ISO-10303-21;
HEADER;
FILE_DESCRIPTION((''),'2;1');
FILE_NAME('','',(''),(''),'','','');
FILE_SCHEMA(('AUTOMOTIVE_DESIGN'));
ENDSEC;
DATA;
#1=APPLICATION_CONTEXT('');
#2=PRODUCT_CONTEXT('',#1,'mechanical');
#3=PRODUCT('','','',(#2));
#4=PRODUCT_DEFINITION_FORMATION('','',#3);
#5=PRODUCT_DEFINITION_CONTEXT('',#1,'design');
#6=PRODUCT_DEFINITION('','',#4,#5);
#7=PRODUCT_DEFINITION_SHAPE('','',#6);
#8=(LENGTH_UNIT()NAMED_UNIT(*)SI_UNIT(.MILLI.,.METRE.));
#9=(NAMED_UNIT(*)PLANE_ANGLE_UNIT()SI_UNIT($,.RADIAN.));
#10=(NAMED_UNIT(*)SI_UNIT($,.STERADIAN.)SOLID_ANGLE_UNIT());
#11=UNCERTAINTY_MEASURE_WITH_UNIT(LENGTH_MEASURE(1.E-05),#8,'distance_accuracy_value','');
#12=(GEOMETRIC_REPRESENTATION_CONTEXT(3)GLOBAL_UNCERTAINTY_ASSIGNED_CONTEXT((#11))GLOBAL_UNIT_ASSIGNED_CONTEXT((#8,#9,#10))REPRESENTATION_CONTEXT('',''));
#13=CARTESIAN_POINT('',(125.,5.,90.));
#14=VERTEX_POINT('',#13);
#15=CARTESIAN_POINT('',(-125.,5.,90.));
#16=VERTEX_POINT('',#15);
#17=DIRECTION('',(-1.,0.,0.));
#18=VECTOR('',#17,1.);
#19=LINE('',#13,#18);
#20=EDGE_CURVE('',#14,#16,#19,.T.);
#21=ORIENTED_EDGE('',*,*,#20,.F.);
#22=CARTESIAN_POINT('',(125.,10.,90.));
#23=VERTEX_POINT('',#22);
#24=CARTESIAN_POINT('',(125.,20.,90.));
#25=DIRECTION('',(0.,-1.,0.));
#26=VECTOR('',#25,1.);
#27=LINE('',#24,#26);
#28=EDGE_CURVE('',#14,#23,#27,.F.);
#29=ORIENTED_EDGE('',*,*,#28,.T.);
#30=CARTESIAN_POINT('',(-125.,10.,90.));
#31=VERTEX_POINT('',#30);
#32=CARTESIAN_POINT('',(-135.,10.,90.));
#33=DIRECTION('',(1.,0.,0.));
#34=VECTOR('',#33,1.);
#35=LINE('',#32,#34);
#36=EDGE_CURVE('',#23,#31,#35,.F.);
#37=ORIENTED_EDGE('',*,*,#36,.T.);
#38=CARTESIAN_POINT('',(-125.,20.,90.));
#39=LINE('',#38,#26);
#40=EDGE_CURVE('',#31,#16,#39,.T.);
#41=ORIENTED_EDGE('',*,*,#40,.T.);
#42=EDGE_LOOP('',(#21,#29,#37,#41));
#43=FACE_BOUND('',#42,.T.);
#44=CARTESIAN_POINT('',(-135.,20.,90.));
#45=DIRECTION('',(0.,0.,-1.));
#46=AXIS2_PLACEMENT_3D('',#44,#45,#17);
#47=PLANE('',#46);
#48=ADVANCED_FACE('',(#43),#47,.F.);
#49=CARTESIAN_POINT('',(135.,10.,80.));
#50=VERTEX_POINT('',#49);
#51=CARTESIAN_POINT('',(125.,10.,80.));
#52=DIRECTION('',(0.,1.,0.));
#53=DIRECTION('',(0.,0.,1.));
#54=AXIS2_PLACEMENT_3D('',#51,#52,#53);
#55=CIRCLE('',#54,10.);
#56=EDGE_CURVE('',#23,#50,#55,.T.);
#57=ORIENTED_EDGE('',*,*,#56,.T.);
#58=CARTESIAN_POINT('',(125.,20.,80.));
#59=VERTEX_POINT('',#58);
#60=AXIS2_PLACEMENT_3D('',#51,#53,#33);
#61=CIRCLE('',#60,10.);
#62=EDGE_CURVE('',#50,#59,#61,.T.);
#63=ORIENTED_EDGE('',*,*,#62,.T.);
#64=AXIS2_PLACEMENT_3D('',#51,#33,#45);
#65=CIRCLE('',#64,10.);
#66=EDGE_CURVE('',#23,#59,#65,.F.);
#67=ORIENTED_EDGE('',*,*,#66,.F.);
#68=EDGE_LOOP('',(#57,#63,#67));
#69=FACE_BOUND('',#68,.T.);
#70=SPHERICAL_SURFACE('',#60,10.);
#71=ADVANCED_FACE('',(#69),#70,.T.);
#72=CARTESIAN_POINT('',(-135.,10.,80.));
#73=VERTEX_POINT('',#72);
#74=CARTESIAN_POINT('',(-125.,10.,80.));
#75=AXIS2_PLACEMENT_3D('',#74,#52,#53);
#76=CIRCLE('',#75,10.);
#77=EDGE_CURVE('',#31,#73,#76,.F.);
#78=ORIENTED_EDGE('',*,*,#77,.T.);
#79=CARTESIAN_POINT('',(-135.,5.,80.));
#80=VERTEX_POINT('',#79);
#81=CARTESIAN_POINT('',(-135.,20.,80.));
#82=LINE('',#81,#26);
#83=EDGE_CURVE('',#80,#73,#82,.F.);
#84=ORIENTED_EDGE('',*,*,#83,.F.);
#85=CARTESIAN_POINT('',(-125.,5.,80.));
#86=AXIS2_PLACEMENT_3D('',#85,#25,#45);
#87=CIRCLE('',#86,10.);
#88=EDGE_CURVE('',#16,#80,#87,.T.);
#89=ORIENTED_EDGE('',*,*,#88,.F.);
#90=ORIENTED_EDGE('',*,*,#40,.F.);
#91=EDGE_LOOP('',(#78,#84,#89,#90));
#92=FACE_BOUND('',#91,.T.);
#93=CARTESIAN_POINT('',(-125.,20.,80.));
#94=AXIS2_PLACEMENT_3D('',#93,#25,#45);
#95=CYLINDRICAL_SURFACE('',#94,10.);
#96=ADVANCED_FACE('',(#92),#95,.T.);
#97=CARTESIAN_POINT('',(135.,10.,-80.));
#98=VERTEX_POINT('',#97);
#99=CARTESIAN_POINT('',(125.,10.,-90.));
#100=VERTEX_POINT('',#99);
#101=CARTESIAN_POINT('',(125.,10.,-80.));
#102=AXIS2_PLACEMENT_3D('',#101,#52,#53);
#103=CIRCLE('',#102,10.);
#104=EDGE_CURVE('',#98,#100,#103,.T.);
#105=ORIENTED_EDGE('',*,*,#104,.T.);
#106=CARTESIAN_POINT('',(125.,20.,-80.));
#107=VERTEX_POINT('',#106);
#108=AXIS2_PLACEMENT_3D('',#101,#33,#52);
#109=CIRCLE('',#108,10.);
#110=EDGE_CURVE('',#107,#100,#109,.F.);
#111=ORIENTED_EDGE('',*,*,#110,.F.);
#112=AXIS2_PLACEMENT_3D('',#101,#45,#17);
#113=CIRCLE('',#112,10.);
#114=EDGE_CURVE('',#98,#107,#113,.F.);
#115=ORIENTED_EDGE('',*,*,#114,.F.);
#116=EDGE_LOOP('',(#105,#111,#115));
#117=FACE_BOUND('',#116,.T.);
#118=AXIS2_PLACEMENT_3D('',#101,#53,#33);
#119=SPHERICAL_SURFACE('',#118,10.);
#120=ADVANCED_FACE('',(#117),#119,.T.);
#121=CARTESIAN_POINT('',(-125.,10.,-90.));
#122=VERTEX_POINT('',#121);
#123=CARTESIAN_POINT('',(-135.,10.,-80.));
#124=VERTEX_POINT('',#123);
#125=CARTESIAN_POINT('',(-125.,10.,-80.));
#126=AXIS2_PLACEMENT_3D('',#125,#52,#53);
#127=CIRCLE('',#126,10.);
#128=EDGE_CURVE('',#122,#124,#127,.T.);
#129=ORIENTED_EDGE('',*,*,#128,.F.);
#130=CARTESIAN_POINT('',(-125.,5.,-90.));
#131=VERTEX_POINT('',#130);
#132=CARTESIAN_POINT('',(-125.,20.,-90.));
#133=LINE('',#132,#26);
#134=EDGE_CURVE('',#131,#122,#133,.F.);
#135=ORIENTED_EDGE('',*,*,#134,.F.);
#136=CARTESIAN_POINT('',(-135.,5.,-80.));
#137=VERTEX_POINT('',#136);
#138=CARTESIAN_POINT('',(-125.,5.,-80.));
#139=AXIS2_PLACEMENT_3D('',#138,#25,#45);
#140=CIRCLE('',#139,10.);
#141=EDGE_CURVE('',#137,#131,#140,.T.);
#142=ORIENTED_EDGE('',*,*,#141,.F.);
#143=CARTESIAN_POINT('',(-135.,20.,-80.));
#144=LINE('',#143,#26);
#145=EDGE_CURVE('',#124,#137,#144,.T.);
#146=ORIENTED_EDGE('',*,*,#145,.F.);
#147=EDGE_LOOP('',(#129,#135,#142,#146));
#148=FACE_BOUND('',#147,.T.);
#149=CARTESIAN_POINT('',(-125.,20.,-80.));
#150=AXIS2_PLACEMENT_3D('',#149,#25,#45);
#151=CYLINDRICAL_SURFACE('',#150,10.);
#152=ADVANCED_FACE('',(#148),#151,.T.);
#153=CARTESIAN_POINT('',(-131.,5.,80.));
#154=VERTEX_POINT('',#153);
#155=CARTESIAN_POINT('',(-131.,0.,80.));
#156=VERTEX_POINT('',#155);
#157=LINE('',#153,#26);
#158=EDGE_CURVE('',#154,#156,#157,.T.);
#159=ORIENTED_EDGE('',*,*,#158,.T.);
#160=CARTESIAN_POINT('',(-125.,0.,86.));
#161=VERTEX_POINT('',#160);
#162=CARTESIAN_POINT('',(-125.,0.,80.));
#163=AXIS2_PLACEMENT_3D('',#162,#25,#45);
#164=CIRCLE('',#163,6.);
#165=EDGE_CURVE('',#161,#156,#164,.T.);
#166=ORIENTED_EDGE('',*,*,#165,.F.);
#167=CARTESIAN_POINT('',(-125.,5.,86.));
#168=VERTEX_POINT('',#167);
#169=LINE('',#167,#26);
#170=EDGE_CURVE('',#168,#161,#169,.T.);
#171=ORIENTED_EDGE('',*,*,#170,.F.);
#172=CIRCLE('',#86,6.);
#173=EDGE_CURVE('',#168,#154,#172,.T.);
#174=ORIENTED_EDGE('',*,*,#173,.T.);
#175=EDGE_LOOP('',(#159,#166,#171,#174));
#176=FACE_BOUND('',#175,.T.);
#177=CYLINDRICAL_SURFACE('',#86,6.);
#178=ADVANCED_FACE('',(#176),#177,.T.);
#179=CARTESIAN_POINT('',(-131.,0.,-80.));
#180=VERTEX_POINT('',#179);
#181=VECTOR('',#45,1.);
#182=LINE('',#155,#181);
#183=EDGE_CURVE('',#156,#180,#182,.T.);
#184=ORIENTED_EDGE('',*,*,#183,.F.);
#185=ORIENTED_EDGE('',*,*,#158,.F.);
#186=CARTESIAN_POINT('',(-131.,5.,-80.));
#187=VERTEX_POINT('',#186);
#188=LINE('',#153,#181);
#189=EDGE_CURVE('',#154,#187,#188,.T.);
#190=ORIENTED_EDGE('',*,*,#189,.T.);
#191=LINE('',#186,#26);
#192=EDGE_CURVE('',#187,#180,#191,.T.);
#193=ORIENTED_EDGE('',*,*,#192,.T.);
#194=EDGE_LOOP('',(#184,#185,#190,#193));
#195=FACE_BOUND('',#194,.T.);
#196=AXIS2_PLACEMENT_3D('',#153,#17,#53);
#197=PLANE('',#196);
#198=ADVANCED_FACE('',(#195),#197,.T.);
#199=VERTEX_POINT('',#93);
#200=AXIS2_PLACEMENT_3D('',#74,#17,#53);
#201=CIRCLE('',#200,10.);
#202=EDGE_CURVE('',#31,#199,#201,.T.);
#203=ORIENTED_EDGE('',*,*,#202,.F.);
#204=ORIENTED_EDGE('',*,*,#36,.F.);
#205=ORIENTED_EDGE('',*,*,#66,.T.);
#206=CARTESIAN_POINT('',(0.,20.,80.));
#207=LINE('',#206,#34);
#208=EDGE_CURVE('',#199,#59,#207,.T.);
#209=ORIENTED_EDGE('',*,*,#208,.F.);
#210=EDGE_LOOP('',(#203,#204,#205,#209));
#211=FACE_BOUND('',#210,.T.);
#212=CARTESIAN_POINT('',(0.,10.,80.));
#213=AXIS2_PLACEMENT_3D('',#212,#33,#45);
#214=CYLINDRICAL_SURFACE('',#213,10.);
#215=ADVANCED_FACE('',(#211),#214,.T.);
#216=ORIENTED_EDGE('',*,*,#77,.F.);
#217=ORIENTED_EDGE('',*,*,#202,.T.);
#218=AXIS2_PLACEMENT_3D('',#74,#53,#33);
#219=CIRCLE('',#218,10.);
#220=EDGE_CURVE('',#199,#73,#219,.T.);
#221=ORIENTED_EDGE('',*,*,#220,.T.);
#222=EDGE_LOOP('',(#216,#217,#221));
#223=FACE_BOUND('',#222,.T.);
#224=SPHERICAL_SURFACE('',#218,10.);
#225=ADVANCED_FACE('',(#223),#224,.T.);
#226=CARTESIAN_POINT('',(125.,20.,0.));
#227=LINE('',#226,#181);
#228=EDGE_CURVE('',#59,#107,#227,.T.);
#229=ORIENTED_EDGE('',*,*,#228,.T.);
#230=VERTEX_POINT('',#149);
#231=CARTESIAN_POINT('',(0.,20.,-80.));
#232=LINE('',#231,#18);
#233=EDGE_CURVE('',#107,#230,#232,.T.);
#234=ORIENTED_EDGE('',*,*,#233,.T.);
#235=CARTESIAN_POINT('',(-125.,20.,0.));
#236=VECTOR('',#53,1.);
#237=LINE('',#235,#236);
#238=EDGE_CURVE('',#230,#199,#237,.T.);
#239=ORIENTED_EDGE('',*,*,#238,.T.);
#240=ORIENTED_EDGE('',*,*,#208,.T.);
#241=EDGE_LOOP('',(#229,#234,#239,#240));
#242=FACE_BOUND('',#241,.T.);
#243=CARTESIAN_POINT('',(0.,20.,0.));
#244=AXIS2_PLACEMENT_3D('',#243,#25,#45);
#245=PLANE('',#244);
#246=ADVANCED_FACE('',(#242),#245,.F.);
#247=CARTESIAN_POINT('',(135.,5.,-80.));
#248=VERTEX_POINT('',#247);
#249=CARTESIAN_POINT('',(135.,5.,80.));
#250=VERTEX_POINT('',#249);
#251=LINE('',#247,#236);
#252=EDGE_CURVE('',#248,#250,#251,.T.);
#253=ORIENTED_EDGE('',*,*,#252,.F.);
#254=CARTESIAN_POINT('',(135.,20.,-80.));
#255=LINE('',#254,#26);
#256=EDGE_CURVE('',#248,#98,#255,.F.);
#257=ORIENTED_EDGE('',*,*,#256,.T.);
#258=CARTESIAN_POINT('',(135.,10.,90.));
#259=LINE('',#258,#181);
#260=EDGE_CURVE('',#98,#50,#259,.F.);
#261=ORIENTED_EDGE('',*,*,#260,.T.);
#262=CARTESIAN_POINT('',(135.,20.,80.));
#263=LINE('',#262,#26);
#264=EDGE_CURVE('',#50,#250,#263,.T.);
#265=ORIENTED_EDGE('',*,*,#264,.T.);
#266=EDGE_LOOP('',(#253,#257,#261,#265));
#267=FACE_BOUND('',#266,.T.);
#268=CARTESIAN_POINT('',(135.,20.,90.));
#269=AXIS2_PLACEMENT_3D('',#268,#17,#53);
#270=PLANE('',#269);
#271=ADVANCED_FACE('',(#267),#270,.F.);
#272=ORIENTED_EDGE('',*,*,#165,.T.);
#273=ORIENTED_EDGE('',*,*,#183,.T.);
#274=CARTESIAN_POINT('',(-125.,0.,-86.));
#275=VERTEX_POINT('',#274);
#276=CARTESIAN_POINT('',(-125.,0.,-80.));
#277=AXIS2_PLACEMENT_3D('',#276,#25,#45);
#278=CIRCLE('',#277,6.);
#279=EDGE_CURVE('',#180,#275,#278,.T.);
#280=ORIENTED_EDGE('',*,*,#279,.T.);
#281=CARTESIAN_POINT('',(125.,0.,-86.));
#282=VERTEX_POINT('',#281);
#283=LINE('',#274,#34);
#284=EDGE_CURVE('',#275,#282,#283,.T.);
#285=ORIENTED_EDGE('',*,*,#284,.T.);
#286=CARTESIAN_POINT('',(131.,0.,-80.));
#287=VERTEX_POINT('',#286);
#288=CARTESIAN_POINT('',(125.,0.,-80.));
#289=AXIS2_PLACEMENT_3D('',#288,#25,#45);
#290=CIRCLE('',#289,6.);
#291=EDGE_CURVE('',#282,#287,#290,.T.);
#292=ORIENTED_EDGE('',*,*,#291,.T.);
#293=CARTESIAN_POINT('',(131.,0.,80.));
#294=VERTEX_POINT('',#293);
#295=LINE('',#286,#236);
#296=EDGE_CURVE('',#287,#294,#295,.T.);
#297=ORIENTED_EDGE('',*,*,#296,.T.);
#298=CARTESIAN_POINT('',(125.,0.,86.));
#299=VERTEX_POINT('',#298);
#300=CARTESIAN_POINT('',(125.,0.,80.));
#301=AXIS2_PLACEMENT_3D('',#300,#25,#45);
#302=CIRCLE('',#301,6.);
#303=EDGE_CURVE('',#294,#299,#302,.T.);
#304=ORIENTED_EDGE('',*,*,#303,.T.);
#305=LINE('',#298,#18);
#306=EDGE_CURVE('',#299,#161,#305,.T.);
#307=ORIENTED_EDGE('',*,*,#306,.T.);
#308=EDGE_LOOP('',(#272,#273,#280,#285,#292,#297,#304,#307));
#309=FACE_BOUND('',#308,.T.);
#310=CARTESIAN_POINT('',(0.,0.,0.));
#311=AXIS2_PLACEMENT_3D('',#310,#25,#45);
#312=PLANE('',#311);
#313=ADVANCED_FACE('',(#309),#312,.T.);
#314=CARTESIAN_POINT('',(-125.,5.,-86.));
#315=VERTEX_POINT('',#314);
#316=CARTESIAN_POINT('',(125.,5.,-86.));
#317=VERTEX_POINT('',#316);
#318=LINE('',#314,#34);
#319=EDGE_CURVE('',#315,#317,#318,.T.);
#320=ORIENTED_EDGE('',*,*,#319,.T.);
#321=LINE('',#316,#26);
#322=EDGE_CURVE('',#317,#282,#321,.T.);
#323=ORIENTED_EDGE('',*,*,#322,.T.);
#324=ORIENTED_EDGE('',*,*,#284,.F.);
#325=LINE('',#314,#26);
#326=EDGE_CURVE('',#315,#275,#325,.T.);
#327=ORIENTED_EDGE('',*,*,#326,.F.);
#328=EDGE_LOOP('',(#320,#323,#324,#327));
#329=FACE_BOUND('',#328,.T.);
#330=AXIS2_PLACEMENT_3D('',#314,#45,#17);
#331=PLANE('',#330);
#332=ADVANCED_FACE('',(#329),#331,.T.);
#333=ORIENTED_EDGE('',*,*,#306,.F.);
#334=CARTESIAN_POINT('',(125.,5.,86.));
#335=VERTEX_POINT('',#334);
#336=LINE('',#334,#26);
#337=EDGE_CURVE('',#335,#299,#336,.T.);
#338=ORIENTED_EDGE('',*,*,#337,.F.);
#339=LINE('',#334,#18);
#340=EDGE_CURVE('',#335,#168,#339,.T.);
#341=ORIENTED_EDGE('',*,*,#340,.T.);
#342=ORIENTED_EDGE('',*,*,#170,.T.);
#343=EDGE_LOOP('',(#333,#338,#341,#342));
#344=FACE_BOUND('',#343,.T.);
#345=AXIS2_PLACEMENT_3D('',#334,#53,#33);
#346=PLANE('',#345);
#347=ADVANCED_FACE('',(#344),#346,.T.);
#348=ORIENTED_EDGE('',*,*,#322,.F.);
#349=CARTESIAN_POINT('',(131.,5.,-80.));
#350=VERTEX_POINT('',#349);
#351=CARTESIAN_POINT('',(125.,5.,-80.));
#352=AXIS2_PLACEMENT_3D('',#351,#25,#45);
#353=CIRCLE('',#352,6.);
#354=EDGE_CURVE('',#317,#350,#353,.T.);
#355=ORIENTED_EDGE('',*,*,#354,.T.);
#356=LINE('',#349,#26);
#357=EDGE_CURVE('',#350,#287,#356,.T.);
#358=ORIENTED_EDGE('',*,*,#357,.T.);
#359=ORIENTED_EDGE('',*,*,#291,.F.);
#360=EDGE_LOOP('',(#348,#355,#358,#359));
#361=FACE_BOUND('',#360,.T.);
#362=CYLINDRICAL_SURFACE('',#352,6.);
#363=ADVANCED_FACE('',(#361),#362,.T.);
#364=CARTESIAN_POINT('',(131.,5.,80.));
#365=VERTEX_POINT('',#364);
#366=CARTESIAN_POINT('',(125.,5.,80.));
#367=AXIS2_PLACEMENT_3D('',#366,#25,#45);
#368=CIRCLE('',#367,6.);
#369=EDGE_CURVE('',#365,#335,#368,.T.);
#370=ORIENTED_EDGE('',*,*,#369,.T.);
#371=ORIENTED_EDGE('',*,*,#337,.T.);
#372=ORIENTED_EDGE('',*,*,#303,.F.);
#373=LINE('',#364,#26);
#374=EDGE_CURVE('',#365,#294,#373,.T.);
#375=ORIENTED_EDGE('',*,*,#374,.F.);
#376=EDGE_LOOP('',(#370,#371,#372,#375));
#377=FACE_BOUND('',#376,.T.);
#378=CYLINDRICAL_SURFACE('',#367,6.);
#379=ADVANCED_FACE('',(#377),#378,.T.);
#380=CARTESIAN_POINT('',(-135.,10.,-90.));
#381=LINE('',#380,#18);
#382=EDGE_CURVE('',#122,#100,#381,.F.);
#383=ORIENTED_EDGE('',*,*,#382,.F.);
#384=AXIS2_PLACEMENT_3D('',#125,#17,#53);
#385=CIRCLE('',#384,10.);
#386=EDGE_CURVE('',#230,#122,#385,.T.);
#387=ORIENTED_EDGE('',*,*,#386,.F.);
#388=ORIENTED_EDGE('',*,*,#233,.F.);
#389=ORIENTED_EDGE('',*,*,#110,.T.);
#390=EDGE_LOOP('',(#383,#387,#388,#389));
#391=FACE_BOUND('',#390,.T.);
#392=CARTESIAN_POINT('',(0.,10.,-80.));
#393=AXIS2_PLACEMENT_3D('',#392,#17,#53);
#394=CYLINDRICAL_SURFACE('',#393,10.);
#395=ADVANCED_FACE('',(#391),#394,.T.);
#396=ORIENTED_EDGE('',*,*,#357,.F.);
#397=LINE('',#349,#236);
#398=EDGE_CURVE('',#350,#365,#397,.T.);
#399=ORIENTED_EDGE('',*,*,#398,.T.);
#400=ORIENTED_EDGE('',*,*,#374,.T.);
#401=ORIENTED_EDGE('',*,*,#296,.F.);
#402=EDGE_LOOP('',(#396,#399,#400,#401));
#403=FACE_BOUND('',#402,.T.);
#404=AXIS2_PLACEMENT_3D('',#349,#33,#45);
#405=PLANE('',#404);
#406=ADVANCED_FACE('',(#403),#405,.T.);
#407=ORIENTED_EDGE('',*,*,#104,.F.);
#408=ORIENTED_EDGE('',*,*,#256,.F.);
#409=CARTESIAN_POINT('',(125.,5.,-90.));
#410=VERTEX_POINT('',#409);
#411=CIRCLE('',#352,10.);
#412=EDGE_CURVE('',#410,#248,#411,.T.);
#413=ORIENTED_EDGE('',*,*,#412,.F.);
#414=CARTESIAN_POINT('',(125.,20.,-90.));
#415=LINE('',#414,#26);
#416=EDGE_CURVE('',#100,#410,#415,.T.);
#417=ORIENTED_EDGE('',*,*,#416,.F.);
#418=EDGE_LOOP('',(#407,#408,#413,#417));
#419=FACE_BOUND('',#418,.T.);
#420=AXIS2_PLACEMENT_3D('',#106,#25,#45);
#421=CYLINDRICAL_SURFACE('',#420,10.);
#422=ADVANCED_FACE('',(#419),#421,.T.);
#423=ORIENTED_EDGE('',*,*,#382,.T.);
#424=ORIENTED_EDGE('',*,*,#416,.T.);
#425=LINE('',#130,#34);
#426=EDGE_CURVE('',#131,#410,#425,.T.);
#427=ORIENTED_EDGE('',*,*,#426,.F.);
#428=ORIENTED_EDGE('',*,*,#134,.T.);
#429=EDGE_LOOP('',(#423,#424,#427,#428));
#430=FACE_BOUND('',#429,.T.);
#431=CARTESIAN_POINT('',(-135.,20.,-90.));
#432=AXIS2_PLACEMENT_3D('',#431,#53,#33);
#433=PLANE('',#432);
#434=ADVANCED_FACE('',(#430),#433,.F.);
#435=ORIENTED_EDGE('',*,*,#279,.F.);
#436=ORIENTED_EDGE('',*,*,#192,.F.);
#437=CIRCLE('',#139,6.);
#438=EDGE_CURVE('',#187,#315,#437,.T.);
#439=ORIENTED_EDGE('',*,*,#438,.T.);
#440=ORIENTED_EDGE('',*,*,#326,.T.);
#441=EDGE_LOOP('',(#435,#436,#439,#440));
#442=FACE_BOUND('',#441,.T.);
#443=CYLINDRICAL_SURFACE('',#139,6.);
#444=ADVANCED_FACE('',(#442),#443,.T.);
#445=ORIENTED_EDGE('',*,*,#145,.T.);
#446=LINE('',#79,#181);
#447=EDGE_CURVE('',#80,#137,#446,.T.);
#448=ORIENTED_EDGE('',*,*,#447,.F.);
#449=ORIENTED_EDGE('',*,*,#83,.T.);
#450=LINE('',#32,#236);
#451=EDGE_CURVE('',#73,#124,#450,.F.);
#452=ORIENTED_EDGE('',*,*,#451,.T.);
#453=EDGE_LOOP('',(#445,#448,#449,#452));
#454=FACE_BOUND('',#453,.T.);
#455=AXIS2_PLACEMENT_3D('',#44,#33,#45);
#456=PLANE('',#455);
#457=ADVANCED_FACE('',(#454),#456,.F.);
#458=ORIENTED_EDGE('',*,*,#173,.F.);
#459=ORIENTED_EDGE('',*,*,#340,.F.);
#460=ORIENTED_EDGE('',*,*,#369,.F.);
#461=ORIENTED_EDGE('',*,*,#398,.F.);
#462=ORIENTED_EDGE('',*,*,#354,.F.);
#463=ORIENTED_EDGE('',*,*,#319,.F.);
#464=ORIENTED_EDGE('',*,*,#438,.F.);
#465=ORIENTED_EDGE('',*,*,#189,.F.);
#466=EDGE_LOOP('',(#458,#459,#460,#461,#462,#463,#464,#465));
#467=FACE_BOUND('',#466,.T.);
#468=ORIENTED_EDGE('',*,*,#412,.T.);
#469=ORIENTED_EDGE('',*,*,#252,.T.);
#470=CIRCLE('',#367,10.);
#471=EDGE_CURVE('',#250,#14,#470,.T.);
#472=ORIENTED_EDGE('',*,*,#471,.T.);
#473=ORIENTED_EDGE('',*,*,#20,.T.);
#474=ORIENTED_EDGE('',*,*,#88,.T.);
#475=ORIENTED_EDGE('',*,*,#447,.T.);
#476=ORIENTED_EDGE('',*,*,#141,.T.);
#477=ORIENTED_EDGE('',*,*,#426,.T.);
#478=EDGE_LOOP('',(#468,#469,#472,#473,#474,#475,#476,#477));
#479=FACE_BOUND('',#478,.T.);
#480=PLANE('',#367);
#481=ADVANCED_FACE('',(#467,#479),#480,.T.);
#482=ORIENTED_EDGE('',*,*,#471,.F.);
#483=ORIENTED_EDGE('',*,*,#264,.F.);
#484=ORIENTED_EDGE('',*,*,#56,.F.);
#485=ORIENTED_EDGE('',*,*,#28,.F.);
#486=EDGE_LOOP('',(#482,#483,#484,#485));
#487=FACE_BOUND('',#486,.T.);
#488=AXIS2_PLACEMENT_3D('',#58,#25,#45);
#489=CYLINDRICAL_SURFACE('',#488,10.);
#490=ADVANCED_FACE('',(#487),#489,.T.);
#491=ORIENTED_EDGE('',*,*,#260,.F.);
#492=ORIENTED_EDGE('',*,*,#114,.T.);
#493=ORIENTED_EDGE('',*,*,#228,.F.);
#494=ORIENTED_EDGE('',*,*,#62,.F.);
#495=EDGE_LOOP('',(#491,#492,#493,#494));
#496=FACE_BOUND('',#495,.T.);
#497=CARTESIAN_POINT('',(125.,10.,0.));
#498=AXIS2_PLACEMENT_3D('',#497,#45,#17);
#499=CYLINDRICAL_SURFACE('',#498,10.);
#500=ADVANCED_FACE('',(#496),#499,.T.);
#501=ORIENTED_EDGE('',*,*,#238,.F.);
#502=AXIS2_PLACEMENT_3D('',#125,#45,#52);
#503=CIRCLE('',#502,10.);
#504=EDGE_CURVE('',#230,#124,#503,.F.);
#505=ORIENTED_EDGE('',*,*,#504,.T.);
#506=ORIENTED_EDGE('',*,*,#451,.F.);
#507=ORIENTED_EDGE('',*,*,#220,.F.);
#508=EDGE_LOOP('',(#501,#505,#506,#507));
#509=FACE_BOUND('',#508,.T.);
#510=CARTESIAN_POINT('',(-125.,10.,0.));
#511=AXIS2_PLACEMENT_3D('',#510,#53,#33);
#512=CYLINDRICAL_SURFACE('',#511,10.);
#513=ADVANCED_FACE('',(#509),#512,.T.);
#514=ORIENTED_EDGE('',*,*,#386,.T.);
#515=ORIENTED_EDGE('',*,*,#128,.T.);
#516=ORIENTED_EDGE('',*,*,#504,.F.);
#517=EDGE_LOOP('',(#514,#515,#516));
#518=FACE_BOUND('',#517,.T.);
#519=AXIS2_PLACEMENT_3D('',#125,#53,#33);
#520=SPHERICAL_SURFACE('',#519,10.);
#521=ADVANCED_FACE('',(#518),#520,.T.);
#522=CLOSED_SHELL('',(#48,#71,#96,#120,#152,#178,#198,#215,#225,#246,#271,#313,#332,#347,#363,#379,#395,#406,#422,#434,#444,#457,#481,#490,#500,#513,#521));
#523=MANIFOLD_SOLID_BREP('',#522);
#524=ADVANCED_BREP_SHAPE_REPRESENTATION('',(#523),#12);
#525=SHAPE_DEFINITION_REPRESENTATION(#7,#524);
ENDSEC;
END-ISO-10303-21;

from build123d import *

# Parameters (mm, degrees)
SKETCH1_W      = 270
SKETCH1_H      = 180
EXTRUDE1_DEPTH = 20
FILLET1_R      = 10
EXTRUDE3_DEPTH = 5


with BuildPart() as part:
    # Sketch1 → Extrude1 (new body)
    with BuildSketch(Plane(origin=(0, 0, 0), x_dir=(1, 0, 0), z_dir=(0, 1, 0))):
        Rectangle(SKETCH1_W, SKETCH1_H)
    extrude(amount=EXTRUDE1_DEPTH)

    # Fillet1
    fillet1_edges = [part.edges().sort_by_distance(p)[0] for p in [
        (-135, 20, 0),
        (0, 20, 90),
        (135, 20, 0),
        (0, 20, -90),
        (135, 10, 90),
        (-135, 10, 90),
        (-135, 10, -90),
        (135, 10, -90),
    ]]
    fillet(fillet1_edges, radius=FILLET1_R)

    # Sketch3 → Extrude3 (cut)
    with BuildSketch(Plane.XZ):
        with BuildLine():
            Line((125, 90), (-125, 90))
            ThreePointArc((-125, 90), (-132.071067812, 87.071067812), (-135, 80))
            Line((-135, 80), (-135, -80))
            ThreePointArc((-135, -80), (-132.071067812, -87.071067812), (-125, -90))
            Line((-125, -90), (125, -90))
            ThreePointArc((125, -90), (132.071067812, -87.071067812), (135, -80))
            Line((135, -80), (135, 80))
            ThreePointArc((135, 80), (132.071067812, 87.071067812), (125, 90))
        make_face()
        with BuildLine():
            Line((-131, 80), (-131, -80))
            ThreePointArc((-131, -80), (-129.242640687, -84.242640687), (-125, -86))
            Line((-125, -86), (125, -86))
            ThreePointArc((125, -86), (129.242640687, -84.242640687), (131, -80))
            Line((131, -80), (131, 80))
            ThreePointArc((131, 80), (129.242640687, 84.242640687), (125, 86))
            Line((125, 86), (-125, 86))
            ThreePointArc((-125, 86), (-129.242640687, 84.242640687), (-131, 80))
        make_face(mode=Mode.SUBTRACT)
    extrude(amount=-EXTRUDE3_DEPTH, mode=Mode.SUBTRACT)


solid = part.part
